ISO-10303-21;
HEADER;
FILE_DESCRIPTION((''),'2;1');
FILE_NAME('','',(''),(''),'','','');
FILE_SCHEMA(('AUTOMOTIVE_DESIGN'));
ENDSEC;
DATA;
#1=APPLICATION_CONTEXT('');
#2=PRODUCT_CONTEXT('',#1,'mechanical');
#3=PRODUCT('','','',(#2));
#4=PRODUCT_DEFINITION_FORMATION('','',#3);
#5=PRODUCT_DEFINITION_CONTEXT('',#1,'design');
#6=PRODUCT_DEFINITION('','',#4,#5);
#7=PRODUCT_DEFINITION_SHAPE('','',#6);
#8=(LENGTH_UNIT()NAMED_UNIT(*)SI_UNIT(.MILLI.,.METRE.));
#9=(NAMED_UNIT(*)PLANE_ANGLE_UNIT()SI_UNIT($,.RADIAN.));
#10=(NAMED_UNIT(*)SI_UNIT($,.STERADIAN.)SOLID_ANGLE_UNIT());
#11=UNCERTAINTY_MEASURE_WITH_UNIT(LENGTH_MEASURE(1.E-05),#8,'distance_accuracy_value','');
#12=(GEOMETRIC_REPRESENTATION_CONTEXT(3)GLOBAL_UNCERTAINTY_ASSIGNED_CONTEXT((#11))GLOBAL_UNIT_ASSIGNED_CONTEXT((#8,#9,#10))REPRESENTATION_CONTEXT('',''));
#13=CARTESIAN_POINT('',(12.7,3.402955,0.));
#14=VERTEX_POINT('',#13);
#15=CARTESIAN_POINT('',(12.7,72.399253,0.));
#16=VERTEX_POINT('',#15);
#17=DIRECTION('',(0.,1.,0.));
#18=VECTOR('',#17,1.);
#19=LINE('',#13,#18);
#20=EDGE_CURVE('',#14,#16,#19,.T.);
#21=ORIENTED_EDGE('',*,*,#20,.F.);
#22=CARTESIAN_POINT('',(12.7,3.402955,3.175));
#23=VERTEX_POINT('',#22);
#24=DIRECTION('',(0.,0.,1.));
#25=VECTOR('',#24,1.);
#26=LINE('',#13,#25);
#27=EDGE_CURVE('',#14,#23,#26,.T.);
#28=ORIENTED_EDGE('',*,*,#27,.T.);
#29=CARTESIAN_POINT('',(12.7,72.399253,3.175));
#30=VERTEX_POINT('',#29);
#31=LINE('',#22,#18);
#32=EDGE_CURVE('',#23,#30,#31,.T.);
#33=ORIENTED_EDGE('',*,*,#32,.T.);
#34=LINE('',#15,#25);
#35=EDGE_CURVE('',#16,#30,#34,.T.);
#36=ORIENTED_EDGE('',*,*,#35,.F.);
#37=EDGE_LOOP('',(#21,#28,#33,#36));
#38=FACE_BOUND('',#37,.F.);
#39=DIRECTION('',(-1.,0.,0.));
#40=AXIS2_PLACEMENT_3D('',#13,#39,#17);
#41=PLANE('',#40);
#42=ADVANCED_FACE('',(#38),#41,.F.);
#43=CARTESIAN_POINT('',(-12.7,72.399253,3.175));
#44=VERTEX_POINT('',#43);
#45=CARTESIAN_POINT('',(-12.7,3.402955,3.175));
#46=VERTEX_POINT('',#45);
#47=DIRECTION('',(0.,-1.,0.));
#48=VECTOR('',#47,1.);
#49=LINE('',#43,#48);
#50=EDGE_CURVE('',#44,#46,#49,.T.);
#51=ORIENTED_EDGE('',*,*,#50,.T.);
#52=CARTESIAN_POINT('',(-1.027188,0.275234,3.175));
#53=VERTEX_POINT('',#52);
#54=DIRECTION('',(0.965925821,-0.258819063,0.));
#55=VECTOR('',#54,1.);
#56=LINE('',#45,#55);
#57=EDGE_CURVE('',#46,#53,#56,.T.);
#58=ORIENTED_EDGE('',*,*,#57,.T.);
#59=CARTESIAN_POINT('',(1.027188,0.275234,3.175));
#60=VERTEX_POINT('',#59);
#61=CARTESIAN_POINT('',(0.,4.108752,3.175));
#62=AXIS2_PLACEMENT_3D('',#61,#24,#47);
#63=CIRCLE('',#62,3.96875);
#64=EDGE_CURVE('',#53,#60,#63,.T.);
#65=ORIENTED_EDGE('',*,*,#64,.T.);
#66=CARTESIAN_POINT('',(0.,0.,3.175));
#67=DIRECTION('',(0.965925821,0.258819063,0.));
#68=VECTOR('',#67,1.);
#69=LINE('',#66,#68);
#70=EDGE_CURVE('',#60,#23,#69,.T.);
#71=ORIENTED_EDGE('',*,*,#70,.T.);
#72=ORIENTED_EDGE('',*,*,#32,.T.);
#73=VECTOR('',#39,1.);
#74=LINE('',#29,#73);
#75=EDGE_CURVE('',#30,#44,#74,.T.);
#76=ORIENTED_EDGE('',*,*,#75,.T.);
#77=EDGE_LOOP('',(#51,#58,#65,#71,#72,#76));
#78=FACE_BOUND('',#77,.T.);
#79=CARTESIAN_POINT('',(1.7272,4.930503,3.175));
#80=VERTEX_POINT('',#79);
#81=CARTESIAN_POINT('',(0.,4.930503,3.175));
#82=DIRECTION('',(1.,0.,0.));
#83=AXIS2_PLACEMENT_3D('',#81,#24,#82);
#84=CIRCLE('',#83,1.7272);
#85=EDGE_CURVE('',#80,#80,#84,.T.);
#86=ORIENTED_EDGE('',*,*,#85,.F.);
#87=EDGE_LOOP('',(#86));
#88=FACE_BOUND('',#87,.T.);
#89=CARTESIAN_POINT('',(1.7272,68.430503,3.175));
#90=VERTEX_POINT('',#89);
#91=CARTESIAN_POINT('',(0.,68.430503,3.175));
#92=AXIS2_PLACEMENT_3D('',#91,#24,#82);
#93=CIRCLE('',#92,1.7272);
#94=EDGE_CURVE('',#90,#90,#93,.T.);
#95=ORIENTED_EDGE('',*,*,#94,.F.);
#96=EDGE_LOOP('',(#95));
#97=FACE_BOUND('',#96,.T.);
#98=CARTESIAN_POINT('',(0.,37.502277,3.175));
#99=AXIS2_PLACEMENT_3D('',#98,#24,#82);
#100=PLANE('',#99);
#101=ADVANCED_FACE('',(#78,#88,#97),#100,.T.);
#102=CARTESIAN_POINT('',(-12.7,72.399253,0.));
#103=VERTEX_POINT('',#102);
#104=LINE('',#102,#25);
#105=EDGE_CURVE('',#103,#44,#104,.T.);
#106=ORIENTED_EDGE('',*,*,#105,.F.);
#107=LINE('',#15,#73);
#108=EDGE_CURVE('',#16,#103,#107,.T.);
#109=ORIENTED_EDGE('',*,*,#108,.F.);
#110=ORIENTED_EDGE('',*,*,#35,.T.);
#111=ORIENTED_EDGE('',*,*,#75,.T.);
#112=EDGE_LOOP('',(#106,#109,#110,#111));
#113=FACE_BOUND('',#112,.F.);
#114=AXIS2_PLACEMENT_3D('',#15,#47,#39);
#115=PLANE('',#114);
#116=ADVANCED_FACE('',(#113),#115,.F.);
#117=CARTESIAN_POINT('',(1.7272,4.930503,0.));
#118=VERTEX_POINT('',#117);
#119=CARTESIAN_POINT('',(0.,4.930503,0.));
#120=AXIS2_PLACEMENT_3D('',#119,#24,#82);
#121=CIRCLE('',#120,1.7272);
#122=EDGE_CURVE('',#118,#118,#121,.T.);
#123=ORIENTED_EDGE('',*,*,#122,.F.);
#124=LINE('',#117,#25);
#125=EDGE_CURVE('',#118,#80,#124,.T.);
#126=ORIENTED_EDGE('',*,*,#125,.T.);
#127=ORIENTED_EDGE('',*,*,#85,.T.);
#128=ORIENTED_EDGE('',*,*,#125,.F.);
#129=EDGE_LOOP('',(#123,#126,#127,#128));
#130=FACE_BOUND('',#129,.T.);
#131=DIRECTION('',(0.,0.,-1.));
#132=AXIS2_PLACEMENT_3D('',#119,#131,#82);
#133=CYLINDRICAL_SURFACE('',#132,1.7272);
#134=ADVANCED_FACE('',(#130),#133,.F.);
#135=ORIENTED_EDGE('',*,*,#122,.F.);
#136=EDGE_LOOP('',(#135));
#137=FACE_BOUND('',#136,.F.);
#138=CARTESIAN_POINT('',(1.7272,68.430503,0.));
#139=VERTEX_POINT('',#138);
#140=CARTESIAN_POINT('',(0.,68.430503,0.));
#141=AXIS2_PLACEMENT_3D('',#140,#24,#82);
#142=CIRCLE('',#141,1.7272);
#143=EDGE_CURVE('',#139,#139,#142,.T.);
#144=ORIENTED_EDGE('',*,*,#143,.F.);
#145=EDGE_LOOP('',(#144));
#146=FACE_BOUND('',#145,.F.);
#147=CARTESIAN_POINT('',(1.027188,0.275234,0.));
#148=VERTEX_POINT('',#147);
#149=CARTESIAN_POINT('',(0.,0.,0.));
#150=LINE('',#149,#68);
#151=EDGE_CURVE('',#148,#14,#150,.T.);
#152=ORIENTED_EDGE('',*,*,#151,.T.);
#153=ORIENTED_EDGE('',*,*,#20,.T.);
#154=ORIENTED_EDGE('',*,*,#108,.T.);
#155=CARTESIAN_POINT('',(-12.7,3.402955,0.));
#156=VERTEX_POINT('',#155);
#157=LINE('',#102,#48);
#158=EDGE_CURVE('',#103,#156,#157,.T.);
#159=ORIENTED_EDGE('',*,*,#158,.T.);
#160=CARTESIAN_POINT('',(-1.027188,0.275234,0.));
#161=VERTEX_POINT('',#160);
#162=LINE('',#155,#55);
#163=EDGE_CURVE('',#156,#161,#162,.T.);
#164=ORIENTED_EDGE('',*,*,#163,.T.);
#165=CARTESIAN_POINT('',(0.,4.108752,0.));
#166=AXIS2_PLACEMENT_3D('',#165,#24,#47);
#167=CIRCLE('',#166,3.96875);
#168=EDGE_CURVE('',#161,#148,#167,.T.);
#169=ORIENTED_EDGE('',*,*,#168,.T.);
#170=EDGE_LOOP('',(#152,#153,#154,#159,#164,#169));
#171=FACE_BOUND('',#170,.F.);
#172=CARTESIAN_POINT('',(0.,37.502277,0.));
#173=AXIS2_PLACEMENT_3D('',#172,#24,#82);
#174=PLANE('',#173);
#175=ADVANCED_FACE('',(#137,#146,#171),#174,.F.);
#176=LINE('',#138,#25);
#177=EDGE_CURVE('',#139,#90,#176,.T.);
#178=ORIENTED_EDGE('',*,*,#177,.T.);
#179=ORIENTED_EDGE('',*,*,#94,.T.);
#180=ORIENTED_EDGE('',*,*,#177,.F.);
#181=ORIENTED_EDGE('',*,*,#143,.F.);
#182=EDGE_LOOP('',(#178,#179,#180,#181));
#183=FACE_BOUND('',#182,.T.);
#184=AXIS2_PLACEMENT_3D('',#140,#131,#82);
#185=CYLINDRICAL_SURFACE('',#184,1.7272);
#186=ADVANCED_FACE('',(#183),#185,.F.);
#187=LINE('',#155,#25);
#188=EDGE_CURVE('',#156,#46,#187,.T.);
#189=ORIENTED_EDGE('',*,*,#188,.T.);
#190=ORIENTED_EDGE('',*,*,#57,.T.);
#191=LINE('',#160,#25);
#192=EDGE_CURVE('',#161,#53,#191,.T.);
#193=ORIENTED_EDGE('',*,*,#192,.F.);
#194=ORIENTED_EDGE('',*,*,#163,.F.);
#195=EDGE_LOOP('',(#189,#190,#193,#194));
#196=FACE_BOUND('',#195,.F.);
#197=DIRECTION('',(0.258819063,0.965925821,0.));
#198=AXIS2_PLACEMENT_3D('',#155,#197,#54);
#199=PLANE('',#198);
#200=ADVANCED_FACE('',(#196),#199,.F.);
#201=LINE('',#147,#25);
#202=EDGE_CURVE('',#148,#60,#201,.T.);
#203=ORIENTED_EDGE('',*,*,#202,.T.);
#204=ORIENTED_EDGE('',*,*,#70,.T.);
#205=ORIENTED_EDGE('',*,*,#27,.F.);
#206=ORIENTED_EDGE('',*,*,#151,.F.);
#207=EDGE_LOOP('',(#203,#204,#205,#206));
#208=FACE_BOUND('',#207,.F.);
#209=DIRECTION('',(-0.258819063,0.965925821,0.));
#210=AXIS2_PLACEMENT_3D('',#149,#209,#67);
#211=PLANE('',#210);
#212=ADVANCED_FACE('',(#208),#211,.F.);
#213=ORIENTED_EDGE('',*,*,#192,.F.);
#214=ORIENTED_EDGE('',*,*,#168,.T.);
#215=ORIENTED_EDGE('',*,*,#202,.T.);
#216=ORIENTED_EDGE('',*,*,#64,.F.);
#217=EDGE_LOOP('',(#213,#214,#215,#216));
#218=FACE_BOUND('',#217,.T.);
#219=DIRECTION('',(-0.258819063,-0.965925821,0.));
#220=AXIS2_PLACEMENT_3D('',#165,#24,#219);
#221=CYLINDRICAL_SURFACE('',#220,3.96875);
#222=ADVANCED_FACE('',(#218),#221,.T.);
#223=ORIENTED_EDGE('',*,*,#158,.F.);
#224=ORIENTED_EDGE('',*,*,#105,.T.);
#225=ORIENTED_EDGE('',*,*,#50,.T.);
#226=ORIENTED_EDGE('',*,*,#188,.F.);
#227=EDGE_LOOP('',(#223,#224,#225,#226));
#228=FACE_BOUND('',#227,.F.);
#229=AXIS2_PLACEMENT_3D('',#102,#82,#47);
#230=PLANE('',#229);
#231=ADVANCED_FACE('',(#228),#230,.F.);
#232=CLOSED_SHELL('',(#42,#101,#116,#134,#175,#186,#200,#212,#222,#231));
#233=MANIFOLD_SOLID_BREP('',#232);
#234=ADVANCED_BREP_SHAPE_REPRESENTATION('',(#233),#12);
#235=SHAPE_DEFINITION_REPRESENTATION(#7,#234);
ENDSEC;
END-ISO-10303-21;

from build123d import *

# Parameters (mm, degrees)
F0_R     = 1.7272
F1_DEPTH = 3.175
F2_R     = 3.96875


with BuildPart() as f1:
    # F0 (on Top) → F1 (new body)
    with BuildSketch(Plane.XY):
        Polygon((-12.7, 3.402955), (0, 0), (12.7, 3.402955), (12.7, 72.399253), (-12.7, 72.399253), align=None)
        with Locations((0, 4.930503)):
            Circle(F0_R, mode=Mode.SUBTRACT)
        with Locations((0, 68.430503)):
            Circle(F0_R, mode=Mode.SUBTRACT)
    extrude(amount=F1_DEPTH)

    # F2
    f2_edges = [f1.edges().sort_by_distance(p)[0] for p in [
        (0, 0, 1.5875),
    ]]
    fillet(f2_edges, radius=F2_R)


solid = f1.part
